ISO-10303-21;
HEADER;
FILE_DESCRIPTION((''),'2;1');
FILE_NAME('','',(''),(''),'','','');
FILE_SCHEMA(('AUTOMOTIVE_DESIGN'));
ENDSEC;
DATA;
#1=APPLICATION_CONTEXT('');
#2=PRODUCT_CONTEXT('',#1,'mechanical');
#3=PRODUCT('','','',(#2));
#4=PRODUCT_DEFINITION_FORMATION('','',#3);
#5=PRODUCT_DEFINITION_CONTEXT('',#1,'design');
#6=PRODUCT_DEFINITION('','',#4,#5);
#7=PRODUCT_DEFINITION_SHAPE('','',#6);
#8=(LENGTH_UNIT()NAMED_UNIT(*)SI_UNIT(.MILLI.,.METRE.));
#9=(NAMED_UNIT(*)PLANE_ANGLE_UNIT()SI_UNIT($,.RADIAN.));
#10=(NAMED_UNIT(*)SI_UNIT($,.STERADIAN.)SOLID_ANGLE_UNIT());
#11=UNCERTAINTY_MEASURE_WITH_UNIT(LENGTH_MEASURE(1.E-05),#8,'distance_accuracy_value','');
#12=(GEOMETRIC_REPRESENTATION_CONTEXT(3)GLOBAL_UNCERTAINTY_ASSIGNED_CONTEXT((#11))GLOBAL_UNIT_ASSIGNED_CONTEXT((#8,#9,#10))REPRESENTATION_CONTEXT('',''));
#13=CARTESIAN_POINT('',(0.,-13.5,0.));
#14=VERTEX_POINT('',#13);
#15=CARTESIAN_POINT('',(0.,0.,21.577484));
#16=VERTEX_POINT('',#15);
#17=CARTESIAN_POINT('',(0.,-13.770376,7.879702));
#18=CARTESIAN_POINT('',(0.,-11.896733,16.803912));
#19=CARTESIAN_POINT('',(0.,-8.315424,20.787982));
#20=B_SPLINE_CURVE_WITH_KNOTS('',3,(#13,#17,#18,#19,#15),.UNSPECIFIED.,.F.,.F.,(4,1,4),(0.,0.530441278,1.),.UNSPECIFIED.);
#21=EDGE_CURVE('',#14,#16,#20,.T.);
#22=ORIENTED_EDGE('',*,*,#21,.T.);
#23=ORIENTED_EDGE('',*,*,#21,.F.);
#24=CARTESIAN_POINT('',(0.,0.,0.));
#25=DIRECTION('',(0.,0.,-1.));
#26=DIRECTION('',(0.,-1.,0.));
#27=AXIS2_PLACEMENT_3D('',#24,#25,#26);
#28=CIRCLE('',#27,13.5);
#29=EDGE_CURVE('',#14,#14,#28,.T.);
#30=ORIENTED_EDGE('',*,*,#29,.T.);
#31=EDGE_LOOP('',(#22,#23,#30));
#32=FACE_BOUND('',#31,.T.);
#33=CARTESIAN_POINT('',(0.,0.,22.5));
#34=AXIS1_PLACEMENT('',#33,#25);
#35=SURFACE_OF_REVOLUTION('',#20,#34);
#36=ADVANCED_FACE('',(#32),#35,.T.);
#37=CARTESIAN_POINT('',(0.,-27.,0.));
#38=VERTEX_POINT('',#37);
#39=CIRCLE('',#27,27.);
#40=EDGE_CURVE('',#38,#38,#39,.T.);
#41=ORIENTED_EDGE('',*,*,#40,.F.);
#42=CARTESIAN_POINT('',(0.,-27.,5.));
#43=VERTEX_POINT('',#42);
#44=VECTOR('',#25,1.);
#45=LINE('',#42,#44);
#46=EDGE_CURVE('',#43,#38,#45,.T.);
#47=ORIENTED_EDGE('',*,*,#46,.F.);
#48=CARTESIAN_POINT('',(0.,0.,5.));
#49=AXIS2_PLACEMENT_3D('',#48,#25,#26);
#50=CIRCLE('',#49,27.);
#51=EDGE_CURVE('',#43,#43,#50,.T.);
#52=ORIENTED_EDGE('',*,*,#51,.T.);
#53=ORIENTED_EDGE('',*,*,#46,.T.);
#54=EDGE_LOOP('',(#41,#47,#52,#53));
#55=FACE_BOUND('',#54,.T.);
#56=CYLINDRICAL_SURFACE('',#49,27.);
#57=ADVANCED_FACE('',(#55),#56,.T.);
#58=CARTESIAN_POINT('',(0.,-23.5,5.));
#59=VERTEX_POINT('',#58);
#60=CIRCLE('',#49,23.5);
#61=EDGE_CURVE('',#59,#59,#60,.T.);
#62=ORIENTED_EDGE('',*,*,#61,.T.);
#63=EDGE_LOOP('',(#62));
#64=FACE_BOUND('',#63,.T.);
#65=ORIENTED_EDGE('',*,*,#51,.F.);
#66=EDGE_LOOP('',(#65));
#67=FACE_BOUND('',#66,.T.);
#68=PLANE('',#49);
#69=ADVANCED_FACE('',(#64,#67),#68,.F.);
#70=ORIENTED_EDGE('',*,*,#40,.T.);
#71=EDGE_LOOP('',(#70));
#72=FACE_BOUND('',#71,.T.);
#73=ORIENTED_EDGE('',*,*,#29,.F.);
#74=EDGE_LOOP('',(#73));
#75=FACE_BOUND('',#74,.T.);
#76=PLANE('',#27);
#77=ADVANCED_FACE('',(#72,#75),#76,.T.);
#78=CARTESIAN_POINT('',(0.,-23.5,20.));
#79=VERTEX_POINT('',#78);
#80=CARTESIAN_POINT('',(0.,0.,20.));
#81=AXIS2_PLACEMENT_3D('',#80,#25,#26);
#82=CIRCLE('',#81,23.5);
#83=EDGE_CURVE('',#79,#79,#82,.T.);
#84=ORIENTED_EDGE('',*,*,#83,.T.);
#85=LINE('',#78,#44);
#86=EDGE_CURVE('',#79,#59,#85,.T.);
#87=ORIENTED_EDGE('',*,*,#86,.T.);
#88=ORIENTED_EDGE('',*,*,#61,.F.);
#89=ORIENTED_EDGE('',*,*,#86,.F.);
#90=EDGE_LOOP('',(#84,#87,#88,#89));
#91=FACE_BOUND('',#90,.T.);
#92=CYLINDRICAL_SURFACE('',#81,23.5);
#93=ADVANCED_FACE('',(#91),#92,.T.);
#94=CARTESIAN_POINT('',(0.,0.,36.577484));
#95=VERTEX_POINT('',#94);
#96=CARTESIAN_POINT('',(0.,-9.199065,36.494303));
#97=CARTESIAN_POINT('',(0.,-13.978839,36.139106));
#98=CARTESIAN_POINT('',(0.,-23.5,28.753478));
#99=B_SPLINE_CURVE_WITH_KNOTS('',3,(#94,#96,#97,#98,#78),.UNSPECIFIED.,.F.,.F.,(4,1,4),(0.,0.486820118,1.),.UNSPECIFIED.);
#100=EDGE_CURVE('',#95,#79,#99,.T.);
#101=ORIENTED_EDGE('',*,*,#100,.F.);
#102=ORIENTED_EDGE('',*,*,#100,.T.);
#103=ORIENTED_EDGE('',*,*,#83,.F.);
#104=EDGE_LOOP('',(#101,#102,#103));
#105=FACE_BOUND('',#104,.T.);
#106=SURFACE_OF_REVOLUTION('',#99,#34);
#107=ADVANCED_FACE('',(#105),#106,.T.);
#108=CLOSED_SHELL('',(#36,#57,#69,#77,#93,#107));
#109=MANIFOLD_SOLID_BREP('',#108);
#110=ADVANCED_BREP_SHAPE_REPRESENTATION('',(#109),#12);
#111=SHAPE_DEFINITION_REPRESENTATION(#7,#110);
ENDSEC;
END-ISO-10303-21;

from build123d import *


with BuildPart() as f1:
    # F0 (on Right) → F1 (revolve)
    with BuildSketch(Plane.YZ):
        with BuildLine():
            Line((-27, 0), (-13.5, 0))
            add(Edge.make_bspline(
                [(-13.5, 0), (-13.7703763321, 7.8797023743), (-11.8967334508, 16.8039119382), (-8.3154242858, 20.7879821492), (0, 21.5774838267)],
                knots=[0, 0, 0, 0, 0.5304412775, 1, 1, 1, 1], degree=3))
            Line((0, 21.5774838267), (0, 36.5774838267))
            add(Edge.make_bspline(
                [(0, 36.5774838267), (-9.1990651563, 36.4943034947), (-13.9788389329, 36.13910595), (-23.5, 28.75347808), (-23.5, 20)],
                knots=[0, 0, 0, 0, 0.4868201182, 1, 1, 1, 1], degree=3))
            Line((-23.5, 20), (-23.5, 5))
            Line((-23.5, 5), (-27, 5))
            Line((-27, 5), (-27, 0))
        make_face()
    revolve(axis=Axis((0, 0, 22.5), (0, 0, -1)))


solid = f1.part
